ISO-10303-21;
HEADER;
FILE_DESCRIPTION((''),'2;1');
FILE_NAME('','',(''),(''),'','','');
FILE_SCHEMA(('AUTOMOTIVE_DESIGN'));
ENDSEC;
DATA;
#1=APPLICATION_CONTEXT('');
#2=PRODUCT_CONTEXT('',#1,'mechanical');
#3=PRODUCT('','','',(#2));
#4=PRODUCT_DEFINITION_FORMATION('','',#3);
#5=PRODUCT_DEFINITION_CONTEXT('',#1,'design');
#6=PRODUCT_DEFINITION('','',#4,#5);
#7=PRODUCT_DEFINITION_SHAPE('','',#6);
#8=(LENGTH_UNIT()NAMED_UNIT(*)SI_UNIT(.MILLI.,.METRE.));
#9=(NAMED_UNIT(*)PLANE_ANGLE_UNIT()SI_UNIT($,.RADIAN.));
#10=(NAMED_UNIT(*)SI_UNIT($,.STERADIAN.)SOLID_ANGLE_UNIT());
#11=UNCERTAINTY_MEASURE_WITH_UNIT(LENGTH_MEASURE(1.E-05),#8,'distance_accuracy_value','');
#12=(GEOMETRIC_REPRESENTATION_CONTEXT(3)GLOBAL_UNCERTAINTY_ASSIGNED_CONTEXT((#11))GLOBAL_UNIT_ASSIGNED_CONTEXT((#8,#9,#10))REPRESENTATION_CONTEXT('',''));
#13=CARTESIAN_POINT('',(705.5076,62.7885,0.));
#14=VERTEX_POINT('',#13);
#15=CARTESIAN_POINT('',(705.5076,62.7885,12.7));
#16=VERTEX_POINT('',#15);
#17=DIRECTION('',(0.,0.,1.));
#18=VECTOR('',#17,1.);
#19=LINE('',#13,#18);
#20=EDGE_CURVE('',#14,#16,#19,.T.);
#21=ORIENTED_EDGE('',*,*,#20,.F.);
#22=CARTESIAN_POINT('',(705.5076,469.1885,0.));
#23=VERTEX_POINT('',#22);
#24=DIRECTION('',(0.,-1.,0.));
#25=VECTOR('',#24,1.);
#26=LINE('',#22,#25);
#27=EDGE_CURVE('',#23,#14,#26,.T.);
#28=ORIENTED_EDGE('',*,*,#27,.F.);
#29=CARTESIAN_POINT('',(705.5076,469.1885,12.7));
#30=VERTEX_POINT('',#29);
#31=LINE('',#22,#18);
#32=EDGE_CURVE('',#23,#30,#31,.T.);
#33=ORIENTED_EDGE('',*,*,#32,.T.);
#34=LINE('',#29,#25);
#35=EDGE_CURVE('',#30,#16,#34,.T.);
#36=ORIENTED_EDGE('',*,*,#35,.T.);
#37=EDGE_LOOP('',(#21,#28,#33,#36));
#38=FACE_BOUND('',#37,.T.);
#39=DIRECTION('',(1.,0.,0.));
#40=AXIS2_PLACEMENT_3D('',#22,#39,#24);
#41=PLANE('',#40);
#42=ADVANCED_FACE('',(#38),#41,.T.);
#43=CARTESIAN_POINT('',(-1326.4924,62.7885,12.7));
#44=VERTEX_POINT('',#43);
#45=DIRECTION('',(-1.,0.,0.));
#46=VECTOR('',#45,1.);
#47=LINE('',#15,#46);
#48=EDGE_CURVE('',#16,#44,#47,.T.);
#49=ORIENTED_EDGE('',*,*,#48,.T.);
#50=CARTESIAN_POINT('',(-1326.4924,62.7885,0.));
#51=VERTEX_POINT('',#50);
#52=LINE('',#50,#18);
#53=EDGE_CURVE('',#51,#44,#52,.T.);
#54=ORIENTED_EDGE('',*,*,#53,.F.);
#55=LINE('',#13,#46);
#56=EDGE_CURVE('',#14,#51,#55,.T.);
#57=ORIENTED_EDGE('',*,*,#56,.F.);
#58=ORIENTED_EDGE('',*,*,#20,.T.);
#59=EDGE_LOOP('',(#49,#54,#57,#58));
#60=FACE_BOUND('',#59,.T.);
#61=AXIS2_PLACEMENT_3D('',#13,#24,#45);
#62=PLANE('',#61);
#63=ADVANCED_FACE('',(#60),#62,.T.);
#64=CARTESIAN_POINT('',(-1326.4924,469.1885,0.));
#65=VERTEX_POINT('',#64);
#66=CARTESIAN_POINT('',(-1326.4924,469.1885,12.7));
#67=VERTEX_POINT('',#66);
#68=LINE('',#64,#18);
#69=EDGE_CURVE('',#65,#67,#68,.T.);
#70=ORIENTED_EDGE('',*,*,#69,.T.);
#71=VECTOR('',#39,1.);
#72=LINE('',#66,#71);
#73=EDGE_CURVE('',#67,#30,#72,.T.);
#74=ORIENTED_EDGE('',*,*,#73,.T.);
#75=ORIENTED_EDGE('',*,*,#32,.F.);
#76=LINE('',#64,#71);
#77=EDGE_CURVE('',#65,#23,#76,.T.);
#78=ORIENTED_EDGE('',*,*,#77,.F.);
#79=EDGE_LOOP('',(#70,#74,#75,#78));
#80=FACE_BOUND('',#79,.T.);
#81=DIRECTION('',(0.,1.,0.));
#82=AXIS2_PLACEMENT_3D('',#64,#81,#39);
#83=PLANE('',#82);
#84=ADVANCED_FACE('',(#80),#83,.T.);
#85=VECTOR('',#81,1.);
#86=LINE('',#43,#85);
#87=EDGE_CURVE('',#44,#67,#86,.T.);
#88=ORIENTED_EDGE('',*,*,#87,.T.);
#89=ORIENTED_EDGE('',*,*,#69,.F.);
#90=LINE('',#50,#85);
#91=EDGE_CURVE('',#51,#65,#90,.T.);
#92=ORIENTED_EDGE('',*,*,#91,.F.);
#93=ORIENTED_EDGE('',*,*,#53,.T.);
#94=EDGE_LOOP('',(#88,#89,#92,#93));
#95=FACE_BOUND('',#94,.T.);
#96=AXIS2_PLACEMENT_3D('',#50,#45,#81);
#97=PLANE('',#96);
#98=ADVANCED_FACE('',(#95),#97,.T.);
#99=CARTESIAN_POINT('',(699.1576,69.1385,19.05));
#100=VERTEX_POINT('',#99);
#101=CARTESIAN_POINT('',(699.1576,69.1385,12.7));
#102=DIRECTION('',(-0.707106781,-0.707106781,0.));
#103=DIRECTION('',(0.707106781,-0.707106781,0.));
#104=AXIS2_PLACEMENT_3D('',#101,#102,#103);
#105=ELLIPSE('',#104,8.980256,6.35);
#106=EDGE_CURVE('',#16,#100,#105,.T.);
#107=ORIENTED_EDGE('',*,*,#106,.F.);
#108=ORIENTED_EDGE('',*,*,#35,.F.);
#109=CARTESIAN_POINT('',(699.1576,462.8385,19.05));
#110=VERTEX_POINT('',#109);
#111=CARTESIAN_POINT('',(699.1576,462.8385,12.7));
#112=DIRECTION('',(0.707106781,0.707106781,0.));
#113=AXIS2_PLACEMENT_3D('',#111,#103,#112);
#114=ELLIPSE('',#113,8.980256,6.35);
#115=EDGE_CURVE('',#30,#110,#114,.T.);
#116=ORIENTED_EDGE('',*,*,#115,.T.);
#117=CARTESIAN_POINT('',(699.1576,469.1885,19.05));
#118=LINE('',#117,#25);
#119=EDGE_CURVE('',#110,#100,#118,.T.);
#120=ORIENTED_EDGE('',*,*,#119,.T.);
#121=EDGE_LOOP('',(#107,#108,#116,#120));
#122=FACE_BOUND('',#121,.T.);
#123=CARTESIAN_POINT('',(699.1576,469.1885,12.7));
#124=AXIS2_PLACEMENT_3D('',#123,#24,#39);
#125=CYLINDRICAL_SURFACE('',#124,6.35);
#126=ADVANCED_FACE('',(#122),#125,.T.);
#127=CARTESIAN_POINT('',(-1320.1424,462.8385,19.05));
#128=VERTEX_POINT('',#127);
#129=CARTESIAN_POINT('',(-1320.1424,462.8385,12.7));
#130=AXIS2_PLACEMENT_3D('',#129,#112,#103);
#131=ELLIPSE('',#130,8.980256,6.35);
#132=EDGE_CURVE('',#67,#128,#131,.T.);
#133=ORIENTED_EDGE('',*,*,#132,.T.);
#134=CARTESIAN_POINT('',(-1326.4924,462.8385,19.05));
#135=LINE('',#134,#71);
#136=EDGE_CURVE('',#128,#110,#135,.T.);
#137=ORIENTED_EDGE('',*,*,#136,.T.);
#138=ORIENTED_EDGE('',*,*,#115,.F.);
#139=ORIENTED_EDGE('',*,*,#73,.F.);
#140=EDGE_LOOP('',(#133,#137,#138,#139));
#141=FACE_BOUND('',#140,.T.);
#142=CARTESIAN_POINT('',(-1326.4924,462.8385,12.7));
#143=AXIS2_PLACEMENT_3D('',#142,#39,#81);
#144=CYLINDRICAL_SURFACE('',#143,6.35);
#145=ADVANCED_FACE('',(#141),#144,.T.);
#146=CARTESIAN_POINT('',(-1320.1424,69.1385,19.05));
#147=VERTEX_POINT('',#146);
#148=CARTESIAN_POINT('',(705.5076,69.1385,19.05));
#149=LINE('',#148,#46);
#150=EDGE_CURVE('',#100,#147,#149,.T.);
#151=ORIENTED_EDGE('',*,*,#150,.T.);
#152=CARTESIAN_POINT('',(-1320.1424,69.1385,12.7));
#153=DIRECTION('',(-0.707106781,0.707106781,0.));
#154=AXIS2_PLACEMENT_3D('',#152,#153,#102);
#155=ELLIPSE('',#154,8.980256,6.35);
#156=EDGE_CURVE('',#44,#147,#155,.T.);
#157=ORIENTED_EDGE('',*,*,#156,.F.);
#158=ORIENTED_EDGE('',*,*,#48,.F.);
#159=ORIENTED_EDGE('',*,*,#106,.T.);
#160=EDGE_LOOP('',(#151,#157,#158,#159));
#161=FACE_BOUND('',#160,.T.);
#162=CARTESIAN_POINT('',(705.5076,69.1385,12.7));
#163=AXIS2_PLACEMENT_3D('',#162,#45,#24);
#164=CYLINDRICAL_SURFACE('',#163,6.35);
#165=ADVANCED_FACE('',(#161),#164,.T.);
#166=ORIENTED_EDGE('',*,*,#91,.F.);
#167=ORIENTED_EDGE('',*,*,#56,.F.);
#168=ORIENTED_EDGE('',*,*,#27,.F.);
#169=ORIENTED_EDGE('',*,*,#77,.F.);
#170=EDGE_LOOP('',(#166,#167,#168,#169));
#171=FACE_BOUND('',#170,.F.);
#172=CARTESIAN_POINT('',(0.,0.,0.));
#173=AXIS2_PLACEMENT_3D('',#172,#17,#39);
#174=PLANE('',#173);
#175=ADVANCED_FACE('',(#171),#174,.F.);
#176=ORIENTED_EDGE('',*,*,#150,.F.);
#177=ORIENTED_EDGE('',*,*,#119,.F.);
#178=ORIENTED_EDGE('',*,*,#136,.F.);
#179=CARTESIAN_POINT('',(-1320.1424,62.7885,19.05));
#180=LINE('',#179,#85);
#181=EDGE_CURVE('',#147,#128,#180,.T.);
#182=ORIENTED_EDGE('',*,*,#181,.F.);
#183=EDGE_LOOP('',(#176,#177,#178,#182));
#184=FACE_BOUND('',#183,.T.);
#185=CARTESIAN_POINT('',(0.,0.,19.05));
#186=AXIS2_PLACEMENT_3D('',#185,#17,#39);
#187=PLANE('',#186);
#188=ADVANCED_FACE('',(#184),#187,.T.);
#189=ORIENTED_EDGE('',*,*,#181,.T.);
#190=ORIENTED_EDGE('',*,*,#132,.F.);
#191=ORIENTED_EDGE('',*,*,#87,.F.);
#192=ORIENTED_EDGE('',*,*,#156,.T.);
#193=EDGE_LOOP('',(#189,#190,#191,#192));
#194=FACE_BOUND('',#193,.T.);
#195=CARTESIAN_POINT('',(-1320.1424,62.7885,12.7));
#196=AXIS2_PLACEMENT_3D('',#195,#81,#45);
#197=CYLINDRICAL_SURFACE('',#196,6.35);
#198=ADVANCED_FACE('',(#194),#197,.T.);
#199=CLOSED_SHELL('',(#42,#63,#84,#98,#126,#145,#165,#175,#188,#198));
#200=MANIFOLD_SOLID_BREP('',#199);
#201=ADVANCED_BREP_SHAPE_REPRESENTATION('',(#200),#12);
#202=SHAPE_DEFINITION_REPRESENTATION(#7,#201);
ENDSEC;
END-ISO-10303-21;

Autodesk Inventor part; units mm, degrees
ref_plane "YZ Plane" through (0, 0, 0) normal (1, 0, 0) x (0, 1, 0)
ref_plane "XZ Plane" through (0, 0, 0) normal (0, 1, 0) x (-1, 0, 0)
ref_plane "XY Plane" through (0, 0, 0) normal (0, 0, 1) x (1, 0, 0)
sketch "Sketch1" plane through (0, 0, 0) normal (0, 0, 1) x (1, 0, 0)
  line L0 (-1326.4924, 469.1885) -> (705.5076, 469.1885)
  line L1 (705.5076, 469.1885) -> (705.5076, 62.7885)
  line L2 (705.5076, 62.7885) -> (-1326.4924, 62.7885)
  line L3 (-1326.4924, 62.7885) -> (-1326.4924, 469.1885)
  point P0 (0, 0)
  dimension "d0" = 2032
  dimension "d1" = 406.4
extrude "Extrusion1" add sketch "Sketch1" along normal blind 19.05
fillet "Fillet1" radius 6.35 4 edges at (-310.4924, 469.1885, 19.05) (705.5076, 265.9885, 19.05) (-310.4924, 62.7885, 19.05) (-1326.4924, 265.9885, 19.05)
properties part number "top" material "Wood (Birch)"
